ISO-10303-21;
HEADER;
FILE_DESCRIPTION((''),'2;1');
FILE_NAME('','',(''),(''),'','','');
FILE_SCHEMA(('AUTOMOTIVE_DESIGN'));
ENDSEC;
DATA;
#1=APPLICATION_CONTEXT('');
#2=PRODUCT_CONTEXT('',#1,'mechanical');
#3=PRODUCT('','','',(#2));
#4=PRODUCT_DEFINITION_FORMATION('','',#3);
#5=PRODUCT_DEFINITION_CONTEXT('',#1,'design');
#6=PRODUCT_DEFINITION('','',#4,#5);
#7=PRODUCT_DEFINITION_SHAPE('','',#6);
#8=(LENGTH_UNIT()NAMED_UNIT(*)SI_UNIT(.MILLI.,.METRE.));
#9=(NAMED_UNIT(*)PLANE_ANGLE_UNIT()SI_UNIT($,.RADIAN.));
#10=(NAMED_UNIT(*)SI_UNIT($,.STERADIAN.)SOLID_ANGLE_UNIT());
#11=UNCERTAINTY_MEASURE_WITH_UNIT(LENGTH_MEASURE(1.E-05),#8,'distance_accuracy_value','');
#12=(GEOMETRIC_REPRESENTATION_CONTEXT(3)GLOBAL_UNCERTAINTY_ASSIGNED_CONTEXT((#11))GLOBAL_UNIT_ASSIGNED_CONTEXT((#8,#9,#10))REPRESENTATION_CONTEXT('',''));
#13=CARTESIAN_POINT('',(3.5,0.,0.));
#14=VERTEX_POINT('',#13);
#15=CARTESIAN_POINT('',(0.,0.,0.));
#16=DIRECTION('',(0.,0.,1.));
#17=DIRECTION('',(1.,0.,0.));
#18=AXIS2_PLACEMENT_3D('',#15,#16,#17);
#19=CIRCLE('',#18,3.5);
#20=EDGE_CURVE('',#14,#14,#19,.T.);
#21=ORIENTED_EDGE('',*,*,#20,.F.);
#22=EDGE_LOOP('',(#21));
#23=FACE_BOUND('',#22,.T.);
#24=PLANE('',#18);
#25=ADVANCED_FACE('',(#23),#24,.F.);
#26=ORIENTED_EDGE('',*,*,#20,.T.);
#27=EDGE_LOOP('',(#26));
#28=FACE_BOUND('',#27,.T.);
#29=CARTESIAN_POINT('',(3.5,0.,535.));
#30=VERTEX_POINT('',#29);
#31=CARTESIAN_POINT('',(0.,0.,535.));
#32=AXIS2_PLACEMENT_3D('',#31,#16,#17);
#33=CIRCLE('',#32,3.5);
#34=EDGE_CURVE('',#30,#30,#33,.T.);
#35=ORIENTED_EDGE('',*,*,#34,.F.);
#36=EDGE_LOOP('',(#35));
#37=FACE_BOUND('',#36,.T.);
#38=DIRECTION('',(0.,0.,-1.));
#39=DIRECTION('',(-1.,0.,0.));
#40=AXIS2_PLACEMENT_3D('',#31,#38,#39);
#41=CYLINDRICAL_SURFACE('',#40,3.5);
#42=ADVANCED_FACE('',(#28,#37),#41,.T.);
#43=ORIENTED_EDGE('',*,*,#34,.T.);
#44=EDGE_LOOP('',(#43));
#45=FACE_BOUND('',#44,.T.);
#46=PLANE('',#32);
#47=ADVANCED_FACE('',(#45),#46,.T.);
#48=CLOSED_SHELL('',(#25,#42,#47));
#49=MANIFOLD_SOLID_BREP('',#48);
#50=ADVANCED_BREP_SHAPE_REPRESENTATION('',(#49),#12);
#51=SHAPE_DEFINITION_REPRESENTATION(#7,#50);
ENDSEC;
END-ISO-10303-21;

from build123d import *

# Parameters (mm, degrees)
CROQUIS1_R              = 3.5
SALIENTE_EXTRUIR1_DEPTH = 535


with BuildPart() as part:
    # Croquis1 → Saliente-Extruir1 (new body)
    with BuildSketch(Plane.XY):
        Circle(CROQUIS1_R)
    extrude(amount=SALIENTE_EXTRUIR1_DEPTH)


solid = part.part
